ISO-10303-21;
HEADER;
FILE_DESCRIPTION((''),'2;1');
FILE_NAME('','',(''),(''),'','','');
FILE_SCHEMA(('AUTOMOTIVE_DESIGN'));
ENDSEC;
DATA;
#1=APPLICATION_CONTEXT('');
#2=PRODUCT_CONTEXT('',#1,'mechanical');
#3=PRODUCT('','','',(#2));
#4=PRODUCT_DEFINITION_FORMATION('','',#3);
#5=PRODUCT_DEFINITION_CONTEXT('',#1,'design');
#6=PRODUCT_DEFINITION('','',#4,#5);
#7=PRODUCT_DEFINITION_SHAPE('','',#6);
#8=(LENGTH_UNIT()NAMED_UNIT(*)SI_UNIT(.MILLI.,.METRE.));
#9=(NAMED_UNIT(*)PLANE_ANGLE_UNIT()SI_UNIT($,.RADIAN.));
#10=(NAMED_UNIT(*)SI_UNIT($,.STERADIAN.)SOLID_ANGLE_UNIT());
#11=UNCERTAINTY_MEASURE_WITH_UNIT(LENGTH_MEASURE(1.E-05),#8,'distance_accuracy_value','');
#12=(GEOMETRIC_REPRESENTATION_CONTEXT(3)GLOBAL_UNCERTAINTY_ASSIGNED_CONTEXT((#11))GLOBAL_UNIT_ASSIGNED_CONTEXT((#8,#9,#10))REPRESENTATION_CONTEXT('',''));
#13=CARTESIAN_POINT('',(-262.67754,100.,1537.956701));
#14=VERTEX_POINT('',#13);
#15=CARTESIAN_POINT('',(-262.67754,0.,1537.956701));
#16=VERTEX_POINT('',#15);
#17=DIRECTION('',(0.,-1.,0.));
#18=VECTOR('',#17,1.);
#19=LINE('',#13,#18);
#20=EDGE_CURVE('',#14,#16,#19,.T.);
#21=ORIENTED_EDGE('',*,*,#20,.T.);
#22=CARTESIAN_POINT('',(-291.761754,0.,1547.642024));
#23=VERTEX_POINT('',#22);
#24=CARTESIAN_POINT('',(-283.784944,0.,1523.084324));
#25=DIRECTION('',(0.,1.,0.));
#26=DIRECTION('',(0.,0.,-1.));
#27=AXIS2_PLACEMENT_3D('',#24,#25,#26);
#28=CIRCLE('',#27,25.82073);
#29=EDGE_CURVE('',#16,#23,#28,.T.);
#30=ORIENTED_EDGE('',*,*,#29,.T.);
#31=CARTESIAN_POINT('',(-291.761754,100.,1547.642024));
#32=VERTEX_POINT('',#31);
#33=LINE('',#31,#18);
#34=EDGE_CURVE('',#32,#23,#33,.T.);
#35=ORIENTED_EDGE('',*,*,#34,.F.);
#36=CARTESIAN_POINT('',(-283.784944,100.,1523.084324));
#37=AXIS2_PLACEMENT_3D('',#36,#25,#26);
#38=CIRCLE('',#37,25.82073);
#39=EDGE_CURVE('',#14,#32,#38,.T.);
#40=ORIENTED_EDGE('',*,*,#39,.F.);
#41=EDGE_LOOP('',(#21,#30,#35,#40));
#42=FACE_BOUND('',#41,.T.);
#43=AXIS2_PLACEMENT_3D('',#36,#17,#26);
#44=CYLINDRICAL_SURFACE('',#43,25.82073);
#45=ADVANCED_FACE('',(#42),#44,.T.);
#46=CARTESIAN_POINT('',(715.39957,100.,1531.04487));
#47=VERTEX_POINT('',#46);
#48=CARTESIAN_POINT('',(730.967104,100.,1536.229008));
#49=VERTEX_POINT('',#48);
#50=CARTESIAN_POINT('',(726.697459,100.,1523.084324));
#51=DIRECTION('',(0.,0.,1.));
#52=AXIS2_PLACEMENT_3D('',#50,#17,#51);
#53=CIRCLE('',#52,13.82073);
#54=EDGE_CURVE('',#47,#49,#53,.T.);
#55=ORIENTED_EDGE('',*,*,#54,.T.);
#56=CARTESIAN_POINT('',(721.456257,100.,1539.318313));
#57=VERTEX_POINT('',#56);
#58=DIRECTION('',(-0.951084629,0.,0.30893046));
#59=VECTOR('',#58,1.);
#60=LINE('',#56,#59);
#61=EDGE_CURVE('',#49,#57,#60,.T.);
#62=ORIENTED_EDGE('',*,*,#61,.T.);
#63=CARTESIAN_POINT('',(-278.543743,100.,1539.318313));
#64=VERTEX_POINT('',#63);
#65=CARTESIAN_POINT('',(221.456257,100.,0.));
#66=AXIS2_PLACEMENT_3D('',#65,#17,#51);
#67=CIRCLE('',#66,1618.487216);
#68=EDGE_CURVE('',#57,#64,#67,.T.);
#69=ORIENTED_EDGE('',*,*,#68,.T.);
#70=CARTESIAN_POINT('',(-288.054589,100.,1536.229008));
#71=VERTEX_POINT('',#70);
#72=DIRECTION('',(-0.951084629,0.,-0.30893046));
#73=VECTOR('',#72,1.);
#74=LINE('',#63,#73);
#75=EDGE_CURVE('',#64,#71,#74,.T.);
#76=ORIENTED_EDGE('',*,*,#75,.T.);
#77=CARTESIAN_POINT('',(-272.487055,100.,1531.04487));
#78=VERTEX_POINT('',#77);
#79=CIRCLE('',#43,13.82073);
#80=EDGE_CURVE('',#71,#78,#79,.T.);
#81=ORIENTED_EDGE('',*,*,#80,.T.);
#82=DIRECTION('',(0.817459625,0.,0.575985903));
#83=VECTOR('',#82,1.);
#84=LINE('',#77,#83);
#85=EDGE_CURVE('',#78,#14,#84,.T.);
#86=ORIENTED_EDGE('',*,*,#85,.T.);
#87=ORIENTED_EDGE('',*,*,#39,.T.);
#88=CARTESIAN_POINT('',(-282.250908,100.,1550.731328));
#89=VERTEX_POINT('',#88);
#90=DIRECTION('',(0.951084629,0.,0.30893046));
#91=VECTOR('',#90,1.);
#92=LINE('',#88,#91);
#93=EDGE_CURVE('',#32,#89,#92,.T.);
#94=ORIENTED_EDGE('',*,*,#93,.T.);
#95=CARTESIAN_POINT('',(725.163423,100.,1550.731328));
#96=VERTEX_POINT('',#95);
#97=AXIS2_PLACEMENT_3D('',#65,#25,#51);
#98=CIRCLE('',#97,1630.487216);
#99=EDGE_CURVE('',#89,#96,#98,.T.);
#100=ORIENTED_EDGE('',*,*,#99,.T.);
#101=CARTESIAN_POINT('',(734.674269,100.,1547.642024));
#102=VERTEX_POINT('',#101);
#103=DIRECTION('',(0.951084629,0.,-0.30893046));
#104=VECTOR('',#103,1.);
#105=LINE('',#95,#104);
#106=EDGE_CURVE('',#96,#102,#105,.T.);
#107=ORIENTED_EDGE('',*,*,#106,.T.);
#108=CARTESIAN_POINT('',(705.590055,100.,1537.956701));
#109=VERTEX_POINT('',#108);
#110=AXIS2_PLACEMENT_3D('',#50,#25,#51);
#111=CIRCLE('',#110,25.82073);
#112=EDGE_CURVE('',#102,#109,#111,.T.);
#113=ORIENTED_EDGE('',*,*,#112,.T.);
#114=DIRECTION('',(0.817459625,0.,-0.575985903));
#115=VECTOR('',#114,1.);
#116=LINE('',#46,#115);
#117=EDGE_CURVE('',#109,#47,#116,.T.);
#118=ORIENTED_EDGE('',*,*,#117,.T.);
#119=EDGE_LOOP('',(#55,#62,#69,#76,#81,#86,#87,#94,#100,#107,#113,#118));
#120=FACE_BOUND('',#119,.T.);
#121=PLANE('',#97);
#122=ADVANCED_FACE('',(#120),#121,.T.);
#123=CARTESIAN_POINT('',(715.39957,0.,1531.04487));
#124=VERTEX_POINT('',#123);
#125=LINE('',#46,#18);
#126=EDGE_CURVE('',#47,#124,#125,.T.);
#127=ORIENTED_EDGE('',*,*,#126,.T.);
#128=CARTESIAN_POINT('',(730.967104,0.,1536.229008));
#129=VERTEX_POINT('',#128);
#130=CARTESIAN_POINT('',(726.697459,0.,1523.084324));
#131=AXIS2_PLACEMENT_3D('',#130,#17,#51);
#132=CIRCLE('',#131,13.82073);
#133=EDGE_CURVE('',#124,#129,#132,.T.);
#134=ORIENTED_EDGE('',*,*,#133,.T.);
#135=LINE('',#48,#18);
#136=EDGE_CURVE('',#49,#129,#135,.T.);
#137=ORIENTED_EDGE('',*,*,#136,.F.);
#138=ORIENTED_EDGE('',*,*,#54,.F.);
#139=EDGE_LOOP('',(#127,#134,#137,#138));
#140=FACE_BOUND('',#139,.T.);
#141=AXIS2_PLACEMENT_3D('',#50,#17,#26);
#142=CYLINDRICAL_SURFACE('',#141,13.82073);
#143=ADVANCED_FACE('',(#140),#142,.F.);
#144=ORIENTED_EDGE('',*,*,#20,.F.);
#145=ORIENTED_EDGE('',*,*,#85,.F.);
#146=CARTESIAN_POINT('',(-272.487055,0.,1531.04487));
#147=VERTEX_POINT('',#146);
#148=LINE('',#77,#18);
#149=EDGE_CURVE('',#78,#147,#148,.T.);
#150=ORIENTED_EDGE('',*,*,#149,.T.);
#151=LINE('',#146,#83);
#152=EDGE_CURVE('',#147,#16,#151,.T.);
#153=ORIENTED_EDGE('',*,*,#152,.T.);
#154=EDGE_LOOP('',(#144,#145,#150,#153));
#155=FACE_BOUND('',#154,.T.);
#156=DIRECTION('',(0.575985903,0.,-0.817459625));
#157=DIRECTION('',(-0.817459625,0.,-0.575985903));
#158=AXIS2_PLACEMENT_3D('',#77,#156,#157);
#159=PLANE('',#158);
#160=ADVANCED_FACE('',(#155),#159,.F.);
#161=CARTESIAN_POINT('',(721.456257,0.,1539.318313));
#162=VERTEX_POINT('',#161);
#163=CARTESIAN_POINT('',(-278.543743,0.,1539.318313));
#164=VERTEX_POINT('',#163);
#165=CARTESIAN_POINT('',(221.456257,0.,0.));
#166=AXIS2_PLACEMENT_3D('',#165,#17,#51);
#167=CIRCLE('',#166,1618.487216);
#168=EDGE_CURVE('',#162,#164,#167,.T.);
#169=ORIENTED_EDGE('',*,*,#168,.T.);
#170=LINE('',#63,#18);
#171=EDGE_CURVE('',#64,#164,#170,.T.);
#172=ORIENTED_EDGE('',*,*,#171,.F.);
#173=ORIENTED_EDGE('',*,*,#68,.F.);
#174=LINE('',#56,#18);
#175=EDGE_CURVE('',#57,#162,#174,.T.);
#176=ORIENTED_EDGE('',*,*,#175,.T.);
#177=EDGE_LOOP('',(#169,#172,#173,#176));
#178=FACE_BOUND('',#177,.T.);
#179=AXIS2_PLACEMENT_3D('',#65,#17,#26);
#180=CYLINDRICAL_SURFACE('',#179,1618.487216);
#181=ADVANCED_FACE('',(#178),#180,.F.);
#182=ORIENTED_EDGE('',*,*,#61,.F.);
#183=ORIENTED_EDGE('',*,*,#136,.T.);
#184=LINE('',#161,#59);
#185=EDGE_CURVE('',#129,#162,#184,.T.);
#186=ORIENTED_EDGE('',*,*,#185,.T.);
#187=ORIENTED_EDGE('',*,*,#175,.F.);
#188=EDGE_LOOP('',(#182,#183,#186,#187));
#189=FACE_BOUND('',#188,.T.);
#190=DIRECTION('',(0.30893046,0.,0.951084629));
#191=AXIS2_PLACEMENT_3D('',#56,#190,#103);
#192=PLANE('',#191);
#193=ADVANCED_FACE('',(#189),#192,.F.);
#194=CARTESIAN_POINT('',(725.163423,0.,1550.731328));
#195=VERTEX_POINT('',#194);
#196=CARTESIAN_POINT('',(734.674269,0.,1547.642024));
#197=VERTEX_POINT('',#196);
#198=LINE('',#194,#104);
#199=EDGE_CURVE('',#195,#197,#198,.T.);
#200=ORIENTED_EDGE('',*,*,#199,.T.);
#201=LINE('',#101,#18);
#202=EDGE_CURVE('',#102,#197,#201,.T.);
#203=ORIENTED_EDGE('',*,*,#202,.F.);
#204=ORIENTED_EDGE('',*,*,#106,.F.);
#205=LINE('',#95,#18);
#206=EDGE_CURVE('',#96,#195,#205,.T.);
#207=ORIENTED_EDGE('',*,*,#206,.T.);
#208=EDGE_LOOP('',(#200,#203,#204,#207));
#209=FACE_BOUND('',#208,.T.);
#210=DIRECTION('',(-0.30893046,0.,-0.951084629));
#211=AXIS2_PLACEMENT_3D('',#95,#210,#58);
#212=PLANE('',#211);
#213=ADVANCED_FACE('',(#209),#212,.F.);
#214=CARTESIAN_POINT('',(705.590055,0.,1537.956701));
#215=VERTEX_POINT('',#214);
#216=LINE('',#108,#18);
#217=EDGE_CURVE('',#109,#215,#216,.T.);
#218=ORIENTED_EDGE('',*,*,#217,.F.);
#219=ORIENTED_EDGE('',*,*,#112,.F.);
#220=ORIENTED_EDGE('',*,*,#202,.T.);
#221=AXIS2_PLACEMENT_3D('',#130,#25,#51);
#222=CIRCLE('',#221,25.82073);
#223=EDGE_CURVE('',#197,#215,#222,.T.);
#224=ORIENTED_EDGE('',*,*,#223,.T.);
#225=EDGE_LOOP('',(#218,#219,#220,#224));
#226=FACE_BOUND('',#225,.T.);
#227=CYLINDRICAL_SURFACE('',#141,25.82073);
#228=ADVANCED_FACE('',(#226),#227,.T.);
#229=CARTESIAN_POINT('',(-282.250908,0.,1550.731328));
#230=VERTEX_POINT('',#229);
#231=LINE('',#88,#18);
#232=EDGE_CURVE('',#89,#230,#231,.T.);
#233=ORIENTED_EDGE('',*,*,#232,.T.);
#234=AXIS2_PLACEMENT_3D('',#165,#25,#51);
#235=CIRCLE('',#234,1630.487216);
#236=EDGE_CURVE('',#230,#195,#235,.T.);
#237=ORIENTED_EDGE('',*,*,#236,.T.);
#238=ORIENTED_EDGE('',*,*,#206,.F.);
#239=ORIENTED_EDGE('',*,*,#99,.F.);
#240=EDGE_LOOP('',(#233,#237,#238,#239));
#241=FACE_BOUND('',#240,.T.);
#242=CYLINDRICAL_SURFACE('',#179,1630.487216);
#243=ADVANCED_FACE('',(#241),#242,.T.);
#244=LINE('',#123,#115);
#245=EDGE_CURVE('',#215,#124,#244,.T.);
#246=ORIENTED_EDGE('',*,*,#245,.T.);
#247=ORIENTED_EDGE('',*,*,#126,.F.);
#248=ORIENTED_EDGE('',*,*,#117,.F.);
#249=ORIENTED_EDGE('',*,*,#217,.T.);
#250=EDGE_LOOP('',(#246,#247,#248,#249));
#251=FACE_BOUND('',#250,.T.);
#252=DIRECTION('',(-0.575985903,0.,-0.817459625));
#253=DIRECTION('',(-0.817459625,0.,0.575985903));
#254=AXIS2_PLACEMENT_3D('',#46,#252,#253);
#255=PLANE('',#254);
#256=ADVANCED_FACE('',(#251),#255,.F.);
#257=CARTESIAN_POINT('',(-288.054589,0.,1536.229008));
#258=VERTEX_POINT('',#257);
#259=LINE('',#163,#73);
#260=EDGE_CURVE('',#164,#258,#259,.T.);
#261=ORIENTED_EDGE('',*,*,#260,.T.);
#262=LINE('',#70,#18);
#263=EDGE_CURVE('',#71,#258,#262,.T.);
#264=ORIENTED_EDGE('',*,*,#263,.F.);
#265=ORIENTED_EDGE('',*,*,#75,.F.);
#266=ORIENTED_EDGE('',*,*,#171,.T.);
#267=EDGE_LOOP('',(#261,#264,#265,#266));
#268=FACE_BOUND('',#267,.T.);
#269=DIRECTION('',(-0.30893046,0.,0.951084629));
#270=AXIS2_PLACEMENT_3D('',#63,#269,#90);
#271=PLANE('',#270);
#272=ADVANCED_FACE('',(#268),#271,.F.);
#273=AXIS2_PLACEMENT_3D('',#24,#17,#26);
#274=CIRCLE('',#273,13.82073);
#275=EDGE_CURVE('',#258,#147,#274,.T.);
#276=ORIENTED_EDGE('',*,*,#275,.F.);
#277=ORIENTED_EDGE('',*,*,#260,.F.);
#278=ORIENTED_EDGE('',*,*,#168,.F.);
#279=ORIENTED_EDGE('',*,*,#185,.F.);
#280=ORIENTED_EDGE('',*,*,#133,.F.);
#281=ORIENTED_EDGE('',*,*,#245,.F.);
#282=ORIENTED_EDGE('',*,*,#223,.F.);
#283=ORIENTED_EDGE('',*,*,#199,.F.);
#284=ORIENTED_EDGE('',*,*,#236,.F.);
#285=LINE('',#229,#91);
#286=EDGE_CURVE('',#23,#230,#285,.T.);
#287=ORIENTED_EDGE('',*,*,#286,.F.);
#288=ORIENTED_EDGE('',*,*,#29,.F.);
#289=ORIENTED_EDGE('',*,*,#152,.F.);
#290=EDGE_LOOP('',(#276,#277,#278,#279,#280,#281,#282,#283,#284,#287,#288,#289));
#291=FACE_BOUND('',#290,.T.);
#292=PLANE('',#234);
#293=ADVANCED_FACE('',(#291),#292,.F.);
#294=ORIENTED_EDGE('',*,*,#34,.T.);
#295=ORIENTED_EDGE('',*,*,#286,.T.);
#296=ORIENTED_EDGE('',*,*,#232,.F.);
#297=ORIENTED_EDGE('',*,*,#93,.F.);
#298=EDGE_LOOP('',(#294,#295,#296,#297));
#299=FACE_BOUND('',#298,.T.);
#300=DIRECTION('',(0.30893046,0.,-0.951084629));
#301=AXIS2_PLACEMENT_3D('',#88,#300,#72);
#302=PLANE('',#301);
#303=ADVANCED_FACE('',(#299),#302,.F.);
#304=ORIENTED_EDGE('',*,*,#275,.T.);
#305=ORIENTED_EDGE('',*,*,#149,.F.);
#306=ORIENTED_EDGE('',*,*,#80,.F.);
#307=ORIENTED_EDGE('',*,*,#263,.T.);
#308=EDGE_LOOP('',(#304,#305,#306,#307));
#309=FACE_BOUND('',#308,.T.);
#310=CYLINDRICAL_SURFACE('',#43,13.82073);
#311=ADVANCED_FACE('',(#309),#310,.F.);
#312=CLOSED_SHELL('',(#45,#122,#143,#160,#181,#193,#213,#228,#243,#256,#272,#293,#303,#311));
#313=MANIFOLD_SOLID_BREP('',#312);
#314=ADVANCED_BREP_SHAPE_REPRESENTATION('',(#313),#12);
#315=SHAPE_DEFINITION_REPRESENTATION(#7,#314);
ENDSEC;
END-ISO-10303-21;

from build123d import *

# Parameters (mm, degrees)
BOSS_EXTRUDE2_DEPTH = 100


with BuildPart() as part:
    # Sketch1 → Boss-Extrude2 (new body)
    with BuildSketch(Plane(origin=(0, 0, 0), x_dir=(1, 0, 0), z_dir=(0, 1, 0))):
        with BuildLine():
            Line((721.456257489, -1539.318312933), (730.967103777, -1536.229008333))
            ThreePointArc((730.967103777, -1536.229008333), (731.064137297, -1509.9715551), (715.399570091, -1531.04486998))
            Line((715.399570091, -1531.04486998), (705.590054586, -1537.956700821))
            ThreePointArc((705.590054586, -1537.956700821), (734.855553229, -1498.586250307), (734.674269296, -1547.642023878))
            Line((734.674269296, -1547.642023878), (725.163423008, -1550.731328477))
            ThreePointArc((725.163423008, -1550.731328477), (221.45625749, -1630.487216054), (-282.250908028, -1550.731328477))
            Line((-282.250908028, -1550.731328477), (-291.761754316, -1547.642023878))
            ThreePointArc((-291.761754316, -1547.642023878), (-291.943038249, -1498.586250307), (-262.677539607, -1537.956700821))
            Line((-262.677539607, -1537.956700821), (-272.487055111, -1531.04486998))
            ThreePointArc((-272.487055111, -1531.04486998), (-288.151622317, -1509.9715551), (-288.054588797, -1536.229008333))
            Line((-288.054588797, -1536.229008333), (-278.54374251, -1539.318312933))
            ThreePointArc((-278.54374251, -1539.318312933), (221.45625749, -1618.487216054), (721.456257489, -1539.318312933))
        make_face()
    extrude(amount=BOSS_EXTRUDE2_DEPTH)


solid = part.part
